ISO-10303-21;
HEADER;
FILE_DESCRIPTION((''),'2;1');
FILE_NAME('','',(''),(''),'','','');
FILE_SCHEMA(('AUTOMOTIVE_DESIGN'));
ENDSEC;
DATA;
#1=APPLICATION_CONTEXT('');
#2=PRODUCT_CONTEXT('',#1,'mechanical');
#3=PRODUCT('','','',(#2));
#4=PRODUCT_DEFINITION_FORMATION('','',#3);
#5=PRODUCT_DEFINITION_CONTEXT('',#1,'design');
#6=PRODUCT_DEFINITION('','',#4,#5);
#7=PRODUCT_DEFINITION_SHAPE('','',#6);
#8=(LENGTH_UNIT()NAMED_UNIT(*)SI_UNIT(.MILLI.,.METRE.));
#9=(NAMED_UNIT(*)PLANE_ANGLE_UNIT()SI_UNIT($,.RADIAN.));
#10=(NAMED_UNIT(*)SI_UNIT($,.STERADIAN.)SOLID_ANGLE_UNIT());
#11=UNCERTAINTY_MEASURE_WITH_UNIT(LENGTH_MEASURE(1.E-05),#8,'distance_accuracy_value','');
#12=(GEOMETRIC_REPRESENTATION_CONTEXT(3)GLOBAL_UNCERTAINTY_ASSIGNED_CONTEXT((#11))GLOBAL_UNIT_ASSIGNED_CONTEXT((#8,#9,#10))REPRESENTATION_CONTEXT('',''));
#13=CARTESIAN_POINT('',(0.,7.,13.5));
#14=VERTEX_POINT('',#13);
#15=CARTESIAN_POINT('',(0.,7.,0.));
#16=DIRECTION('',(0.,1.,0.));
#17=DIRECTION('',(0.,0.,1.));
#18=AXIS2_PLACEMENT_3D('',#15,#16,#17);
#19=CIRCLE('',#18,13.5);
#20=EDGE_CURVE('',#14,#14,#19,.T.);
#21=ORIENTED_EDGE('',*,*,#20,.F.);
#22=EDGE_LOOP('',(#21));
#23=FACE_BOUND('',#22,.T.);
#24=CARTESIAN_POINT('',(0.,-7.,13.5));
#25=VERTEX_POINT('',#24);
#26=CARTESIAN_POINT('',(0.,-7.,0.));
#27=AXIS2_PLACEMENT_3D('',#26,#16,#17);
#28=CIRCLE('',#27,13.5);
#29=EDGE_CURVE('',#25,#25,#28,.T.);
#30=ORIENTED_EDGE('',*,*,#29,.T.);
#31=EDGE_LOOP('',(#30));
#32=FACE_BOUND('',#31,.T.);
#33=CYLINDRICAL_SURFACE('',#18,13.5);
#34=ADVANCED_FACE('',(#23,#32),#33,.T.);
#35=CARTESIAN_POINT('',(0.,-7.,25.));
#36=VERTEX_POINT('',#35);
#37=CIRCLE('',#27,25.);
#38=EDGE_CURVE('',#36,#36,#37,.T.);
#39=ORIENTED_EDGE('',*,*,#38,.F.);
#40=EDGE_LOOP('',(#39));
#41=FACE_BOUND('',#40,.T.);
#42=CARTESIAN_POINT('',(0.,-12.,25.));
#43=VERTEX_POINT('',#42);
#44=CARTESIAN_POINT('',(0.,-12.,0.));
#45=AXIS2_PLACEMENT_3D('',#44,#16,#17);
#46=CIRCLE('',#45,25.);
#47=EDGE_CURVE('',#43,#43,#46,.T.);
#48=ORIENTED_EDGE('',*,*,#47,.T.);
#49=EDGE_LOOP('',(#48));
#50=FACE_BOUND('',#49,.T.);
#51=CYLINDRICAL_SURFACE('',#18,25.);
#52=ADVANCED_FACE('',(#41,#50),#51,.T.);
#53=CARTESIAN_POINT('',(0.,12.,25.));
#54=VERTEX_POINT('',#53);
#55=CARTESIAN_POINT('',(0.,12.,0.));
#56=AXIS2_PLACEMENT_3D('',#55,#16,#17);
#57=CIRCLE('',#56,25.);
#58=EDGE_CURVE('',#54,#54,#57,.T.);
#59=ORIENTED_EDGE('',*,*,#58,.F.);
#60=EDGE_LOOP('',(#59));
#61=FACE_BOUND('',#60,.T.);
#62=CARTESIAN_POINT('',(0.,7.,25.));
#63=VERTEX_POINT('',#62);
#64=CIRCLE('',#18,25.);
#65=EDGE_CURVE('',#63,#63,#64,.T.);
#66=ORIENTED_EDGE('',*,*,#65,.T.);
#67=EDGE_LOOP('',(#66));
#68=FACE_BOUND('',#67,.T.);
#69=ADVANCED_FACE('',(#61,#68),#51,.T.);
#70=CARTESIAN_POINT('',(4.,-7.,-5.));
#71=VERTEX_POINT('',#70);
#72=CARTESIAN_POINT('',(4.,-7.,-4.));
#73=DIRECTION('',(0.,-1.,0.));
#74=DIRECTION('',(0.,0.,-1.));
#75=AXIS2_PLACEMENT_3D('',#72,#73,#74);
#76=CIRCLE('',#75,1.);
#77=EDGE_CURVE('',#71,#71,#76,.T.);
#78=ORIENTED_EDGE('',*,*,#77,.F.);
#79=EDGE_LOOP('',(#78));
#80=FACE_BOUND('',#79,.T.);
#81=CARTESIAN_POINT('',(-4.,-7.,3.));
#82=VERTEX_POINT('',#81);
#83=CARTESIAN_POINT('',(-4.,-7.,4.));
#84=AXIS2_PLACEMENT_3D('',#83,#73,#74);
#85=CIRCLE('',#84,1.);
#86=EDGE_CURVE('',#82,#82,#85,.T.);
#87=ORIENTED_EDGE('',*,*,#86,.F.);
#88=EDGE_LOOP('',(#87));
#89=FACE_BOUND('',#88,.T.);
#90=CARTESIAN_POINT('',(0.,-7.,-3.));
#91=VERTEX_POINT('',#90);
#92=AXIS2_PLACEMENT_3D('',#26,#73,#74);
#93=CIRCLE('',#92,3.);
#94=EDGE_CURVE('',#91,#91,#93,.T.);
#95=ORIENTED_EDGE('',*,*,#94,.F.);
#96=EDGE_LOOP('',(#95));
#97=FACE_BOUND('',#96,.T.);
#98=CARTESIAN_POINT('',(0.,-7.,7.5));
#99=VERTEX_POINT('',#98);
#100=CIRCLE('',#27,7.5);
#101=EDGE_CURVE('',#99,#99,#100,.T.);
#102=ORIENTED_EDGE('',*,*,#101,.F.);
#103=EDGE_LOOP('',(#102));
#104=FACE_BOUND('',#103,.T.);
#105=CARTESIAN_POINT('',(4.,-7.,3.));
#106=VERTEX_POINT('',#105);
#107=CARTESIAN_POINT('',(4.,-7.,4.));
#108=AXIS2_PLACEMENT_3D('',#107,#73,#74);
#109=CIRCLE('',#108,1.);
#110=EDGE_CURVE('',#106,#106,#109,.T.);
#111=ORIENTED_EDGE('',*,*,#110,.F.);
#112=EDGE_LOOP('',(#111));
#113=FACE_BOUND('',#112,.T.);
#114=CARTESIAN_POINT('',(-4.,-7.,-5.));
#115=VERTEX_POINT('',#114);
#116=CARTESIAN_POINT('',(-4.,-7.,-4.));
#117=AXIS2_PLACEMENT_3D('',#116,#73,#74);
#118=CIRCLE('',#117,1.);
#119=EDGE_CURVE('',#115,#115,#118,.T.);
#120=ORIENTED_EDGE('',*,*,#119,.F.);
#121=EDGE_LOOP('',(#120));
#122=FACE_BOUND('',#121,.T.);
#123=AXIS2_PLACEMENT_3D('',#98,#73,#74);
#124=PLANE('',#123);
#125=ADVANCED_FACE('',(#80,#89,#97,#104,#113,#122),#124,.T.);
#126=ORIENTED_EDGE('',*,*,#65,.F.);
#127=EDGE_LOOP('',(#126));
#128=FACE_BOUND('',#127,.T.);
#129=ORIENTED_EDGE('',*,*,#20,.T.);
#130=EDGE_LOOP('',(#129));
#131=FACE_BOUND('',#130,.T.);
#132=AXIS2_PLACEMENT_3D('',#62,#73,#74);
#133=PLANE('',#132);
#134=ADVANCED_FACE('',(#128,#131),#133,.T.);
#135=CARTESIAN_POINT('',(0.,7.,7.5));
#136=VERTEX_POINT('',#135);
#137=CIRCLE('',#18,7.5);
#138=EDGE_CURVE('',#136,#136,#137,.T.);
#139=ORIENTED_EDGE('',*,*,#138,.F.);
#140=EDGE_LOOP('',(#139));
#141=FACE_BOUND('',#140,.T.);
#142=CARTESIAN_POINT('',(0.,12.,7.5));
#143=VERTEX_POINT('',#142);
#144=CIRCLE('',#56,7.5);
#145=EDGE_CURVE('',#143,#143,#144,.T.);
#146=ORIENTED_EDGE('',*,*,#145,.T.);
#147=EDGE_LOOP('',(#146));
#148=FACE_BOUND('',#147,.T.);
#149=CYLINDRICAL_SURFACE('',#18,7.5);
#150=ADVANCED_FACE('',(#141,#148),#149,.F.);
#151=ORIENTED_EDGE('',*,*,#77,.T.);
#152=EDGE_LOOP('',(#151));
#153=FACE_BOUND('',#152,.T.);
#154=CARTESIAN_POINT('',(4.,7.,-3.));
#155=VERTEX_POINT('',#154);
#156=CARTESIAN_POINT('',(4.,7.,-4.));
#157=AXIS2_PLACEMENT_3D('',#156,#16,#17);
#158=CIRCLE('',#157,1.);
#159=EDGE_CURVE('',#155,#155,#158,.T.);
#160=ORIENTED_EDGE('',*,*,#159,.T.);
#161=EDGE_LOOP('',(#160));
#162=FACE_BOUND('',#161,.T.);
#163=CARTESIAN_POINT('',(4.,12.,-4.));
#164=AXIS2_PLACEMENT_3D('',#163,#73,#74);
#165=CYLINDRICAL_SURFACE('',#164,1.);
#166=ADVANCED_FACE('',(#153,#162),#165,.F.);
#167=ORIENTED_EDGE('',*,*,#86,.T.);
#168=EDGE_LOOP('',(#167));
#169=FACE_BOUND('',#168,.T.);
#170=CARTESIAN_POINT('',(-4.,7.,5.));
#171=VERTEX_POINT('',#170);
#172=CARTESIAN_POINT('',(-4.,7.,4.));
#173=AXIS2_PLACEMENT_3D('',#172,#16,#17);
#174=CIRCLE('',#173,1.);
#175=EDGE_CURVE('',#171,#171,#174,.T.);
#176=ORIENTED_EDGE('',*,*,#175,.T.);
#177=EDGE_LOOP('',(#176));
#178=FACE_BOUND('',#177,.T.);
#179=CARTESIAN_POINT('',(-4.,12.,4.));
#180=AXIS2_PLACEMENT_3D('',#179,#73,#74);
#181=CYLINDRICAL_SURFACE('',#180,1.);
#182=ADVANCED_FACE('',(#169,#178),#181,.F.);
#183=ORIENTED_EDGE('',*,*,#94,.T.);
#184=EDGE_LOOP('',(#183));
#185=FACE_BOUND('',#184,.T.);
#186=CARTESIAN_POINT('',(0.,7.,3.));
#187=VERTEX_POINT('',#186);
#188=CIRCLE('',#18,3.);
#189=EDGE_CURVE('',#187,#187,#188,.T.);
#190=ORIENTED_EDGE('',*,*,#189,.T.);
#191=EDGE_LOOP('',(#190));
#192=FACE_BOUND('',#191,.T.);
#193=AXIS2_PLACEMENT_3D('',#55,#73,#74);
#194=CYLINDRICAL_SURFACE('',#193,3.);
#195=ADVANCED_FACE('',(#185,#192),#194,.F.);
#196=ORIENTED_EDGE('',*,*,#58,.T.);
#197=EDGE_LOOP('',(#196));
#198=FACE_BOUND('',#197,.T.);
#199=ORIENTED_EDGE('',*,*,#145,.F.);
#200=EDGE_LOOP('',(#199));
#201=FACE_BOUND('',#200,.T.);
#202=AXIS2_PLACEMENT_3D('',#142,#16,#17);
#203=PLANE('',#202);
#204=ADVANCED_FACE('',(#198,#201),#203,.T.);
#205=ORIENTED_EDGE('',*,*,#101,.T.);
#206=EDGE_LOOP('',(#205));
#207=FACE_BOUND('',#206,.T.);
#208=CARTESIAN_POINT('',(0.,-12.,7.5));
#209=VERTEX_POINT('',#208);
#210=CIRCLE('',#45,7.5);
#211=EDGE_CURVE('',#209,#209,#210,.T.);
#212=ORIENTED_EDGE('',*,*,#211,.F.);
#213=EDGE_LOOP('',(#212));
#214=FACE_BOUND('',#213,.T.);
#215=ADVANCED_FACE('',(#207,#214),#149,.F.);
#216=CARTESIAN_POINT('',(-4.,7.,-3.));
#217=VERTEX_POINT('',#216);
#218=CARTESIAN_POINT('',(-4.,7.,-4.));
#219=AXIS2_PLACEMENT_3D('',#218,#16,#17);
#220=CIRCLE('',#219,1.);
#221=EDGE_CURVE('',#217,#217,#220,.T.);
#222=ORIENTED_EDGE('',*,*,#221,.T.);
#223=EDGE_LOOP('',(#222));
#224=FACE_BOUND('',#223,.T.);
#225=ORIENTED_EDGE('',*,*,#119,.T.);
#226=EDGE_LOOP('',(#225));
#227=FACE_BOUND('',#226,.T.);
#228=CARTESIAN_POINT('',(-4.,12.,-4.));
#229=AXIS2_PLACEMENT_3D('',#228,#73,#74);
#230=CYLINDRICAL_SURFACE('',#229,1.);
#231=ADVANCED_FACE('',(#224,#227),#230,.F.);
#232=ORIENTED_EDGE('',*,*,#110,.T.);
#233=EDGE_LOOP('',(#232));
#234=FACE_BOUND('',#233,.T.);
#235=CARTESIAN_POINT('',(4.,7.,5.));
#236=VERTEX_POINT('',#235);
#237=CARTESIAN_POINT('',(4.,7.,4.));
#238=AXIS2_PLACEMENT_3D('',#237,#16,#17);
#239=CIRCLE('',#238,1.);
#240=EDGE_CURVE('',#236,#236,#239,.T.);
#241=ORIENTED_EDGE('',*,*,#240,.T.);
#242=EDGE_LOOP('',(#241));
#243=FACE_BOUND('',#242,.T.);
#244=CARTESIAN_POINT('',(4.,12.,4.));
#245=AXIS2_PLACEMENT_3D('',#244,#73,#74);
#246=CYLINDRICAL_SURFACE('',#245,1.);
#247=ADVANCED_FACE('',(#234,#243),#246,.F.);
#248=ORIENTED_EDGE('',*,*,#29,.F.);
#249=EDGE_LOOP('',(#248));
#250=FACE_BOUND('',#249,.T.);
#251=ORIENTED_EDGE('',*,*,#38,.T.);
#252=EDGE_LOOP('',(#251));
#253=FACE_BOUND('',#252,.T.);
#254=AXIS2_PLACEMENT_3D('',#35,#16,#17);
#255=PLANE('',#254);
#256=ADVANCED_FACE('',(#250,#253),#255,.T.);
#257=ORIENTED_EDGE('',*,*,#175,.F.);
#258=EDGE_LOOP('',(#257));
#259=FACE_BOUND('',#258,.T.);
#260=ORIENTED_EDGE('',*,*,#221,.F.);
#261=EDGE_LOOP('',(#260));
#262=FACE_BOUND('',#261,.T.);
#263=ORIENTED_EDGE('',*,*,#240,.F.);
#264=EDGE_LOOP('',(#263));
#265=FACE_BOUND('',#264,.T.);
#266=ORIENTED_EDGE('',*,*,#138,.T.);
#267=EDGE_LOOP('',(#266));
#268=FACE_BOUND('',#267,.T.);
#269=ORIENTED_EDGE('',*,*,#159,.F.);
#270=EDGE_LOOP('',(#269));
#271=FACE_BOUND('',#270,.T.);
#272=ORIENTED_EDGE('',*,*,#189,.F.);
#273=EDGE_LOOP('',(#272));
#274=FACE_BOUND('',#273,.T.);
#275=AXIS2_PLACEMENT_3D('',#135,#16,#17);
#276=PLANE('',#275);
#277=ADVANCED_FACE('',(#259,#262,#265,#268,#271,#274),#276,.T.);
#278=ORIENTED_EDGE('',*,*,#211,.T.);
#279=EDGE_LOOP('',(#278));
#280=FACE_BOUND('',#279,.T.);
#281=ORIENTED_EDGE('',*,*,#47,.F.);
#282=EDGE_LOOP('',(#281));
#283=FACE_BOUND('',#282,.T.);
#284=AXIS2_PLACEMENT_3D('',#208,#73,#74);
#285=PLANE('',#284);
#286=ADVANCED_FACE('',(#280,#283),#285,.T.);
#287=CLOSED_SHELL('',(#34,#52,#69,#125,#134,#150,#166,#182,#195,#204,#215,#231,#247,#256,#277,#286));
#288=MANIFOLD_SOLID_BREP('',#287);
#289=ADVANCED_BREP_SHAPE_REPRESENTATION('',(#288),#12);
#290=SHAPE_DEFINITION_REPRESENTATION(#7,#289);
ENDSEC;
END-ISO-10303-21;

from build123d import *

# Parameters (mm, degrees)
CUT_EXTRUDE1_DEPTH      = 41.137264481
CUT_EXTRUDE1_DEPTH_BACK = 41.137264481
SKETCH2_R               = 3
SKETCH2_R_2             = 1


with BuildPart() as part:
    # Sketch1 → Revolve1 (revolve)
    with BuildSketch(Plane(origin=(0, 0, 0), x_dir=(0, 0, -1), z_dir=(1, 0, 0))):
        Polygon((0, 7), (0, -7), (-7.5, -7), (-7.5, -12), (-25, -12), (-25, -7), (-13.5, -7), (-13.5, 7), (-25, 7), (-25, 12), (-7.5, 12), (-7.5, 7), align=None)
    revolve(axis=Axis((0, 7, 0), (0, -1, 0)))

    # Sketch2 → Cut-Extrude1 (cut, two sides: drawn at the far end of the back side and taken through both)
    with BuildSketch(Plane.XZ.offset(7).offset(-CUT_EXTRUDE1_DEPTH_BACK)):
        with Locations(Location((0, 0, 0), (0, 0, 270))):
            Circle(SKETCH2_R)
        with Locations(Location((4, -4, 0), (0, 0, 270))):
            Circle(SKETCH2_R_2)
        with Locations(Location((-4, -4, 0), (0, 0, 270))):
            Circle(SKETCH2_R_2)
        with Locations(Location((-4, 4, 0), (0, 0, 270))):
            Circle(SKETCH2_R_2)
        with Locations(Location((4, 4, 0), (0, 0, 270))):
            Circle(SKETCH2_R_2)
    extrude(amount=CUT_EXTRUDE1_DEPTH + CUT_EXTRUDE1_DEPTH_BACK, mode=Mode.SUBTRACT)


solid = part.part
